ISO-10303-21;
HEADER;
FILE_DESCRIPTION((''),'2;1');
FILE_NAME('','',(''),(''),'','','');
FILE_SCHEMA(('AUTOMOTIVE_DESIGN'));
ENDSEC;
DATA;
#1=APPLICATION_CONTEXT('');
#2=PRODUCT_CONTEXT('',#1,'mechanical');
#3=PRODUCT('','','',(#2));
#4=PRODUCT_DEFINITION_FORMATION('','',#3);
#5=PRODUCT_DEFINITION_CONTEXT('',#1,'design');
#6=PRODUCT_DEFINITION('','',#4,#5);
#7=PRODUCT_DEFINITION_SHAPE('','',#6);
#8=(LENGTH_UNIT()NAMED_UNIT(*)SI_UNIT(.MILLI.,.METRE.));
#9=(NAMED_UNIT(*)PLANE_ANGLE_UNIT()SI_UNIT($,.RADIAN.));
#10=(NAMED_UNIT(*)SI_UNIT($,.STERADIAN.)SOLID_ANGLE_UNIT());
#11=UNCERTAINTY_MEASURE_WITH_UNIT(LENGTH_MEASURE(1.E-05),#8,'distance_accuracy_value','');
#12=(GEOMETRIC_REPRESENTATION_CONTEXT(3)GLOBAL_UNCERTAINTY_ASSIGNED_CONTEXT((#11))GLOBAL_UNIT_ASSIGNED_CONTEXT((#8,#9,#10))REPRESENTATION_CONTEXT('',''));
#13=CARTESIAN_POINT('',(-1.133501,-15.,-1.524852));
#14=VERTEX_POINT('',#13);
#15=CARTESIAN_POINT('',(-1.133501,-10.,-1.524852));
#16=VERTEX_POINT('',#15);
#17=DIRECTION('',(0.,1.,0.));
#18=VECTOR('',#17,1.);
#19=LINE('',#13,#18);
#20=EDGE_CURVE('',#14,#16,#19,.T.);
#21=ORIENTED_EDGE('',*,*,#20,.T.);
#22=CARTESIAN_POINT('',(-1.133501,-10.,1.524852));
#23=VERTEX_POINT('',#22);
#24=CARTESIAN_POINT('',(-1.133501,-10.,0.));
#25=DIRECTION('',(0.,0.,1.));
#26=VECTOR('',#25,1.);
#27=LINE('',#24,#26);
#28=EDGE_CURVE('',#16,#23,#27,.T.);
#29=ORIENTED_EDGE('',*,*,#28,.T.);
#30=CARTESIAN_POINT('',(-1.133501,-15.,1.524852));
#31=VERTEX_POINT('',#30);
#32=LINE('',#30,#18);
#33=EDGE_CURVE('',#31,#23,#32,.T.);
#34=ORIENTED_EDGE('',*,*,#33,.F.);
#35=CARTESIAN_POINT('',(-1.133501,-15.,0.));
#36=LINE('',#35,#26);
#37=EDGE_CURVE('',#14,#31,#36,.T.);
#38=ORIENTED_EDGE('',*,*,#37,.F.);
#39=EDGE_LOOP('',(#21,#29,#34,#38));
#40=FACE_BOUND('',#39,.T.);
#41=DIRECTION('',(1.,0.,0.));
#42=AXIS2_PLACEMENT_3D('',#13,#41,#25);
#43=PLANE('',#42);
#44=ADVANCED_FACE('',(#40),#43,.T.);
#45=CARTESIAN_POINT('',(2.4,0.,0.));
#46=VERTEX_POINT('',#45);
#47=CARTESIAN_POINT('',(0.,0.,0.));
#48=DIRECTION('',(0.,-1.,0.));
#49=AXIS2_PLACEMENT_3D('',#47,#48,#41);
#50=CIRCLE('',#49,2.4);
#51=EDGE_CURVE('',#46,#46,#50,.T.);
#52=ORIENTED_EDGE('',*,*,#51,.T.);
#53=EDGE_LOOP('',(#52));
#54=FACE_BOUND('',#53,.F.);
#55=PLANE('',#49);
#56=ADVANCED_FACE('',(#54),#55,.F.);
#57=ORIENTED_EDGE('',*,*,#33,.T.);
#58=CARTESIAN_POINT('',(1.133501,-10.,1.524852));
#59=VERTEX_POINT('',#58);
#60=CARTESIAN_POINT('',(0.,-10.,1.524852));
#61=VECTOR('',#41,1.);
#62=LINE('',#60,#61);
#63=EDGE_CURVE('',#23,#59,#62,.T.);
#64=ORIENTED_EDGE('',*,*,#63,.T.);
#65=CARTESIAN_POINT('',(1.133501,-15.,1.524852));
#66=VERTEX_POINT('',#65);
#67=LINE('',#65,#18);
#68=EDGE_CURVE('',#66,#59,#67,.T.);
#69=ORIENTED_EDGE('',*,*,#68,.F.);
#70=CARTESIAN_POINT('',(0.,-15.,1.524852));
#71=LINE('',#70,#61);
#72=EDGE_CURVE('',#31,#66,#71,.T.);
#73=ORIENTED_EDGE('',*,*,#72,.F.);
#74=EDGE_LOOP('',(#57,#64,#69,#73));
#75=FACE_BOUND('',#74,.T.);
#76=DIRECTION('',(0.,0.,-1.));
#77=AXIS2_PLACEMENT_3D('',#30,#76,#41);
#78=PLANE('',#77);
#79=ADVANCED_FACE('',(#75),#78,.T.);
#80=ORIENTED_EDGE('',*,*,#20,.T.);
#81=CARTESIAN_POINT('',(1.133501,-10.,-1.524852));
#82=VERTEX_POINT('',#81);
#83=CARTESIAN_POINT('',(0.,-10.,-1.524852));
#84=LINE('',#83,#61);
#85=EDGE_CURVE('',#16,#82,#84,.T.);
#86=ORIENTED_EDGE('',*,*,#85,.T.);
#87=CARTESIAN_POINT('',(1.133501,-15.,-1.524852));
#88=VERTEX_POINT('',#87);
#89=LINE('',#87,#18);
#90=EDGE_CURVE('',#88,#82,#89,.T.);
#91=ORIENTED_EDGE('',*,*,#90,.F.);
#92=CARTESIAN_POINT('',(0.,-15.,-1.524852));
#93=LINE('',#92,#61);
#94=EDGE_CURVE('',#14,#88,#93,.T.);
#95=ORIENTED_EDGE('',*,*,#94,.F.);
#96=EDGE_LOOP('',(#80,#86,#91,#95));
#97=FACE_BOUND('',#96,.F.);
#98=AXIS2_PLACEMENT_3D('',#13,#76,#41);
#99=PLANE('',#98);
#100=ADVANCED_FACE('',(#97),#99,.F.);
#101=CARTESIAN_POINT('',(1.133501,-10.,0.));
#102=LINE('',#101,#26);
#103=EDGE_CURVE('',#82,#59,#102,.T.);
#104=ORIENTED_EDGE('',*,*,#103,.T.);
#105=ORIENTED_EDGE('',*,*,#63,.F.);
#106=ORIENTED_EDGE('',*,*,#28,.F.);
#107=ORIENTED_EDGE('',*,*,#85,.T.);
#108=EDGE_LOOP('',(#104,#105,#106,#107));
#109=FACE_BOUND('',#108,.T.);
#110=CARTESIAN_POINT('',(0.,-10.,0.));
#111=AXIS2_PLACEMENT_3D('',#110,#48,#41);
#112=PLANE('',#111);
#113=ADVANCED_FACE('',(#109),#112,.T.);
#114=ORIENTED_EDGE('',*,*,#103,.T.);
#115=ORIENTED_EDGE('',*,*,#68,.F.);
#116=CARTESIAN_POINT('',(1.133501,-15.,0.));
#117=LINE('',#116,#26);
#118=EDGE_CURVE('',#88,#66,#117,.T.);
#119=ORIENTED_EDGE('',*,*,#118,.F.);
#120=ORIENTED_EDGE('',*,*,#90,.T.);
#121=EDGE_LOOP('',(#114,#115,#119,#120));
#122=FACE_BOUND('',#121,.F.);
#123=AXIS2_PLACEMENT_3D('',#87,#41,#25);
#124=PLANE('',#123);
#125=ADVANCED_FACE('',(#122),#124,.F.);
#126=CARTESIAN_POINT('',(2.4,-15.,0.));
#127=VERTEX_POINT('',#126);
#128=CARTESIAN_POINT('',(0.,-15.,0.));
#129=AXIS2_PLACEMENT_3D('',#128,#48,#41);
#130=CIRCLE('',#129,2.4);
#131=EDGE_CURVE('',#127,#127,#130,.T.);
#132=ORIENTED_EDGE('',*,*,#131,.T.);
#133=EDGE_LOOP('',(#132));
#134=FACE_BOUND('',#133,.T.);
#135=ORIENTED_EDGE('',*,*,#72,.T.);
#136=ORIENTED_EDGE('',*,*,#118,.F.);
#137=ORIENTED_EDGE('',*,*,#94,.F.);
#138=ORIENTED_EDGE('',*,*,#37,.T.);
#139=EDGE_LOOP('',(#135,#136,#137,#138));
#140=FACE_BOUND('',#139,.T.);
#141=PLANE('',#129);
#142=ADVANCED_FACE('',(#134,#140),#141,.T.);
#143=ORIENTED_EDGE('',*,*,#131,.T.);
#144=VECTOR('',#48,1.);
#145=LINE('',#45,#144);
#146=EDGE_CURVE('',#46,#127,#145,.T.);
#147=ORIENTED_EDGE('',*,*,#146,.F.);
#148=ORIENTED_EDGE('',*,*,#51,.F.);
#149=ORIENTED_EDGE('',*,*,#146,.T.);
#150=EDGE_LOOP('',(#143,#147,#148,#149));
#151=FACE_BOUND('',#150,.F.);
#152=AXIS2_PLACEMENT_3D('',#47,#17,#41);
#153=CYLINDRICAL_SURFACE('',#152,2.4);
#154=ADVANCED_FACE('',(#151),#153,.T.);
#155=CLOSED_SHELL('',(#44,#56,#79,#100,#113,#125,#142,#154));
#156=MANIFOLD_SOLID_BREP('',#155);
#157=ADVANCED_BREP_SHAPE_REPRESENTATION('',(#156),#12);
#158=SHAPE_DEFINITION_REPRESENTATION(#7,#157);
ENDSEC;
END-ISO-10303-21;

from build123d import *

# Parameters (mm, degrees)
F0_R     = 2.4
F1_DEPTH = 15
F2_W     = 2.267002
F2_H     = 3.049704
F3_DEPTH = 5


with BuildPart() as f1:
    # F0 (on Front) → F1 (new body)
    with BuildSketch(Plane.XZ):
        Circle(F0_R)
    extrude(amount=F1_DEPTH)

    # F2 (on face) → F3 (cut)
    with BuildSketch(Plane.XZ.offset(15)):
        Rectangle(F2_W, F2_H)
    extrude(amount=-F3_DEPTH, mode=Mode.SUBTRACT)


solid = f1.part
